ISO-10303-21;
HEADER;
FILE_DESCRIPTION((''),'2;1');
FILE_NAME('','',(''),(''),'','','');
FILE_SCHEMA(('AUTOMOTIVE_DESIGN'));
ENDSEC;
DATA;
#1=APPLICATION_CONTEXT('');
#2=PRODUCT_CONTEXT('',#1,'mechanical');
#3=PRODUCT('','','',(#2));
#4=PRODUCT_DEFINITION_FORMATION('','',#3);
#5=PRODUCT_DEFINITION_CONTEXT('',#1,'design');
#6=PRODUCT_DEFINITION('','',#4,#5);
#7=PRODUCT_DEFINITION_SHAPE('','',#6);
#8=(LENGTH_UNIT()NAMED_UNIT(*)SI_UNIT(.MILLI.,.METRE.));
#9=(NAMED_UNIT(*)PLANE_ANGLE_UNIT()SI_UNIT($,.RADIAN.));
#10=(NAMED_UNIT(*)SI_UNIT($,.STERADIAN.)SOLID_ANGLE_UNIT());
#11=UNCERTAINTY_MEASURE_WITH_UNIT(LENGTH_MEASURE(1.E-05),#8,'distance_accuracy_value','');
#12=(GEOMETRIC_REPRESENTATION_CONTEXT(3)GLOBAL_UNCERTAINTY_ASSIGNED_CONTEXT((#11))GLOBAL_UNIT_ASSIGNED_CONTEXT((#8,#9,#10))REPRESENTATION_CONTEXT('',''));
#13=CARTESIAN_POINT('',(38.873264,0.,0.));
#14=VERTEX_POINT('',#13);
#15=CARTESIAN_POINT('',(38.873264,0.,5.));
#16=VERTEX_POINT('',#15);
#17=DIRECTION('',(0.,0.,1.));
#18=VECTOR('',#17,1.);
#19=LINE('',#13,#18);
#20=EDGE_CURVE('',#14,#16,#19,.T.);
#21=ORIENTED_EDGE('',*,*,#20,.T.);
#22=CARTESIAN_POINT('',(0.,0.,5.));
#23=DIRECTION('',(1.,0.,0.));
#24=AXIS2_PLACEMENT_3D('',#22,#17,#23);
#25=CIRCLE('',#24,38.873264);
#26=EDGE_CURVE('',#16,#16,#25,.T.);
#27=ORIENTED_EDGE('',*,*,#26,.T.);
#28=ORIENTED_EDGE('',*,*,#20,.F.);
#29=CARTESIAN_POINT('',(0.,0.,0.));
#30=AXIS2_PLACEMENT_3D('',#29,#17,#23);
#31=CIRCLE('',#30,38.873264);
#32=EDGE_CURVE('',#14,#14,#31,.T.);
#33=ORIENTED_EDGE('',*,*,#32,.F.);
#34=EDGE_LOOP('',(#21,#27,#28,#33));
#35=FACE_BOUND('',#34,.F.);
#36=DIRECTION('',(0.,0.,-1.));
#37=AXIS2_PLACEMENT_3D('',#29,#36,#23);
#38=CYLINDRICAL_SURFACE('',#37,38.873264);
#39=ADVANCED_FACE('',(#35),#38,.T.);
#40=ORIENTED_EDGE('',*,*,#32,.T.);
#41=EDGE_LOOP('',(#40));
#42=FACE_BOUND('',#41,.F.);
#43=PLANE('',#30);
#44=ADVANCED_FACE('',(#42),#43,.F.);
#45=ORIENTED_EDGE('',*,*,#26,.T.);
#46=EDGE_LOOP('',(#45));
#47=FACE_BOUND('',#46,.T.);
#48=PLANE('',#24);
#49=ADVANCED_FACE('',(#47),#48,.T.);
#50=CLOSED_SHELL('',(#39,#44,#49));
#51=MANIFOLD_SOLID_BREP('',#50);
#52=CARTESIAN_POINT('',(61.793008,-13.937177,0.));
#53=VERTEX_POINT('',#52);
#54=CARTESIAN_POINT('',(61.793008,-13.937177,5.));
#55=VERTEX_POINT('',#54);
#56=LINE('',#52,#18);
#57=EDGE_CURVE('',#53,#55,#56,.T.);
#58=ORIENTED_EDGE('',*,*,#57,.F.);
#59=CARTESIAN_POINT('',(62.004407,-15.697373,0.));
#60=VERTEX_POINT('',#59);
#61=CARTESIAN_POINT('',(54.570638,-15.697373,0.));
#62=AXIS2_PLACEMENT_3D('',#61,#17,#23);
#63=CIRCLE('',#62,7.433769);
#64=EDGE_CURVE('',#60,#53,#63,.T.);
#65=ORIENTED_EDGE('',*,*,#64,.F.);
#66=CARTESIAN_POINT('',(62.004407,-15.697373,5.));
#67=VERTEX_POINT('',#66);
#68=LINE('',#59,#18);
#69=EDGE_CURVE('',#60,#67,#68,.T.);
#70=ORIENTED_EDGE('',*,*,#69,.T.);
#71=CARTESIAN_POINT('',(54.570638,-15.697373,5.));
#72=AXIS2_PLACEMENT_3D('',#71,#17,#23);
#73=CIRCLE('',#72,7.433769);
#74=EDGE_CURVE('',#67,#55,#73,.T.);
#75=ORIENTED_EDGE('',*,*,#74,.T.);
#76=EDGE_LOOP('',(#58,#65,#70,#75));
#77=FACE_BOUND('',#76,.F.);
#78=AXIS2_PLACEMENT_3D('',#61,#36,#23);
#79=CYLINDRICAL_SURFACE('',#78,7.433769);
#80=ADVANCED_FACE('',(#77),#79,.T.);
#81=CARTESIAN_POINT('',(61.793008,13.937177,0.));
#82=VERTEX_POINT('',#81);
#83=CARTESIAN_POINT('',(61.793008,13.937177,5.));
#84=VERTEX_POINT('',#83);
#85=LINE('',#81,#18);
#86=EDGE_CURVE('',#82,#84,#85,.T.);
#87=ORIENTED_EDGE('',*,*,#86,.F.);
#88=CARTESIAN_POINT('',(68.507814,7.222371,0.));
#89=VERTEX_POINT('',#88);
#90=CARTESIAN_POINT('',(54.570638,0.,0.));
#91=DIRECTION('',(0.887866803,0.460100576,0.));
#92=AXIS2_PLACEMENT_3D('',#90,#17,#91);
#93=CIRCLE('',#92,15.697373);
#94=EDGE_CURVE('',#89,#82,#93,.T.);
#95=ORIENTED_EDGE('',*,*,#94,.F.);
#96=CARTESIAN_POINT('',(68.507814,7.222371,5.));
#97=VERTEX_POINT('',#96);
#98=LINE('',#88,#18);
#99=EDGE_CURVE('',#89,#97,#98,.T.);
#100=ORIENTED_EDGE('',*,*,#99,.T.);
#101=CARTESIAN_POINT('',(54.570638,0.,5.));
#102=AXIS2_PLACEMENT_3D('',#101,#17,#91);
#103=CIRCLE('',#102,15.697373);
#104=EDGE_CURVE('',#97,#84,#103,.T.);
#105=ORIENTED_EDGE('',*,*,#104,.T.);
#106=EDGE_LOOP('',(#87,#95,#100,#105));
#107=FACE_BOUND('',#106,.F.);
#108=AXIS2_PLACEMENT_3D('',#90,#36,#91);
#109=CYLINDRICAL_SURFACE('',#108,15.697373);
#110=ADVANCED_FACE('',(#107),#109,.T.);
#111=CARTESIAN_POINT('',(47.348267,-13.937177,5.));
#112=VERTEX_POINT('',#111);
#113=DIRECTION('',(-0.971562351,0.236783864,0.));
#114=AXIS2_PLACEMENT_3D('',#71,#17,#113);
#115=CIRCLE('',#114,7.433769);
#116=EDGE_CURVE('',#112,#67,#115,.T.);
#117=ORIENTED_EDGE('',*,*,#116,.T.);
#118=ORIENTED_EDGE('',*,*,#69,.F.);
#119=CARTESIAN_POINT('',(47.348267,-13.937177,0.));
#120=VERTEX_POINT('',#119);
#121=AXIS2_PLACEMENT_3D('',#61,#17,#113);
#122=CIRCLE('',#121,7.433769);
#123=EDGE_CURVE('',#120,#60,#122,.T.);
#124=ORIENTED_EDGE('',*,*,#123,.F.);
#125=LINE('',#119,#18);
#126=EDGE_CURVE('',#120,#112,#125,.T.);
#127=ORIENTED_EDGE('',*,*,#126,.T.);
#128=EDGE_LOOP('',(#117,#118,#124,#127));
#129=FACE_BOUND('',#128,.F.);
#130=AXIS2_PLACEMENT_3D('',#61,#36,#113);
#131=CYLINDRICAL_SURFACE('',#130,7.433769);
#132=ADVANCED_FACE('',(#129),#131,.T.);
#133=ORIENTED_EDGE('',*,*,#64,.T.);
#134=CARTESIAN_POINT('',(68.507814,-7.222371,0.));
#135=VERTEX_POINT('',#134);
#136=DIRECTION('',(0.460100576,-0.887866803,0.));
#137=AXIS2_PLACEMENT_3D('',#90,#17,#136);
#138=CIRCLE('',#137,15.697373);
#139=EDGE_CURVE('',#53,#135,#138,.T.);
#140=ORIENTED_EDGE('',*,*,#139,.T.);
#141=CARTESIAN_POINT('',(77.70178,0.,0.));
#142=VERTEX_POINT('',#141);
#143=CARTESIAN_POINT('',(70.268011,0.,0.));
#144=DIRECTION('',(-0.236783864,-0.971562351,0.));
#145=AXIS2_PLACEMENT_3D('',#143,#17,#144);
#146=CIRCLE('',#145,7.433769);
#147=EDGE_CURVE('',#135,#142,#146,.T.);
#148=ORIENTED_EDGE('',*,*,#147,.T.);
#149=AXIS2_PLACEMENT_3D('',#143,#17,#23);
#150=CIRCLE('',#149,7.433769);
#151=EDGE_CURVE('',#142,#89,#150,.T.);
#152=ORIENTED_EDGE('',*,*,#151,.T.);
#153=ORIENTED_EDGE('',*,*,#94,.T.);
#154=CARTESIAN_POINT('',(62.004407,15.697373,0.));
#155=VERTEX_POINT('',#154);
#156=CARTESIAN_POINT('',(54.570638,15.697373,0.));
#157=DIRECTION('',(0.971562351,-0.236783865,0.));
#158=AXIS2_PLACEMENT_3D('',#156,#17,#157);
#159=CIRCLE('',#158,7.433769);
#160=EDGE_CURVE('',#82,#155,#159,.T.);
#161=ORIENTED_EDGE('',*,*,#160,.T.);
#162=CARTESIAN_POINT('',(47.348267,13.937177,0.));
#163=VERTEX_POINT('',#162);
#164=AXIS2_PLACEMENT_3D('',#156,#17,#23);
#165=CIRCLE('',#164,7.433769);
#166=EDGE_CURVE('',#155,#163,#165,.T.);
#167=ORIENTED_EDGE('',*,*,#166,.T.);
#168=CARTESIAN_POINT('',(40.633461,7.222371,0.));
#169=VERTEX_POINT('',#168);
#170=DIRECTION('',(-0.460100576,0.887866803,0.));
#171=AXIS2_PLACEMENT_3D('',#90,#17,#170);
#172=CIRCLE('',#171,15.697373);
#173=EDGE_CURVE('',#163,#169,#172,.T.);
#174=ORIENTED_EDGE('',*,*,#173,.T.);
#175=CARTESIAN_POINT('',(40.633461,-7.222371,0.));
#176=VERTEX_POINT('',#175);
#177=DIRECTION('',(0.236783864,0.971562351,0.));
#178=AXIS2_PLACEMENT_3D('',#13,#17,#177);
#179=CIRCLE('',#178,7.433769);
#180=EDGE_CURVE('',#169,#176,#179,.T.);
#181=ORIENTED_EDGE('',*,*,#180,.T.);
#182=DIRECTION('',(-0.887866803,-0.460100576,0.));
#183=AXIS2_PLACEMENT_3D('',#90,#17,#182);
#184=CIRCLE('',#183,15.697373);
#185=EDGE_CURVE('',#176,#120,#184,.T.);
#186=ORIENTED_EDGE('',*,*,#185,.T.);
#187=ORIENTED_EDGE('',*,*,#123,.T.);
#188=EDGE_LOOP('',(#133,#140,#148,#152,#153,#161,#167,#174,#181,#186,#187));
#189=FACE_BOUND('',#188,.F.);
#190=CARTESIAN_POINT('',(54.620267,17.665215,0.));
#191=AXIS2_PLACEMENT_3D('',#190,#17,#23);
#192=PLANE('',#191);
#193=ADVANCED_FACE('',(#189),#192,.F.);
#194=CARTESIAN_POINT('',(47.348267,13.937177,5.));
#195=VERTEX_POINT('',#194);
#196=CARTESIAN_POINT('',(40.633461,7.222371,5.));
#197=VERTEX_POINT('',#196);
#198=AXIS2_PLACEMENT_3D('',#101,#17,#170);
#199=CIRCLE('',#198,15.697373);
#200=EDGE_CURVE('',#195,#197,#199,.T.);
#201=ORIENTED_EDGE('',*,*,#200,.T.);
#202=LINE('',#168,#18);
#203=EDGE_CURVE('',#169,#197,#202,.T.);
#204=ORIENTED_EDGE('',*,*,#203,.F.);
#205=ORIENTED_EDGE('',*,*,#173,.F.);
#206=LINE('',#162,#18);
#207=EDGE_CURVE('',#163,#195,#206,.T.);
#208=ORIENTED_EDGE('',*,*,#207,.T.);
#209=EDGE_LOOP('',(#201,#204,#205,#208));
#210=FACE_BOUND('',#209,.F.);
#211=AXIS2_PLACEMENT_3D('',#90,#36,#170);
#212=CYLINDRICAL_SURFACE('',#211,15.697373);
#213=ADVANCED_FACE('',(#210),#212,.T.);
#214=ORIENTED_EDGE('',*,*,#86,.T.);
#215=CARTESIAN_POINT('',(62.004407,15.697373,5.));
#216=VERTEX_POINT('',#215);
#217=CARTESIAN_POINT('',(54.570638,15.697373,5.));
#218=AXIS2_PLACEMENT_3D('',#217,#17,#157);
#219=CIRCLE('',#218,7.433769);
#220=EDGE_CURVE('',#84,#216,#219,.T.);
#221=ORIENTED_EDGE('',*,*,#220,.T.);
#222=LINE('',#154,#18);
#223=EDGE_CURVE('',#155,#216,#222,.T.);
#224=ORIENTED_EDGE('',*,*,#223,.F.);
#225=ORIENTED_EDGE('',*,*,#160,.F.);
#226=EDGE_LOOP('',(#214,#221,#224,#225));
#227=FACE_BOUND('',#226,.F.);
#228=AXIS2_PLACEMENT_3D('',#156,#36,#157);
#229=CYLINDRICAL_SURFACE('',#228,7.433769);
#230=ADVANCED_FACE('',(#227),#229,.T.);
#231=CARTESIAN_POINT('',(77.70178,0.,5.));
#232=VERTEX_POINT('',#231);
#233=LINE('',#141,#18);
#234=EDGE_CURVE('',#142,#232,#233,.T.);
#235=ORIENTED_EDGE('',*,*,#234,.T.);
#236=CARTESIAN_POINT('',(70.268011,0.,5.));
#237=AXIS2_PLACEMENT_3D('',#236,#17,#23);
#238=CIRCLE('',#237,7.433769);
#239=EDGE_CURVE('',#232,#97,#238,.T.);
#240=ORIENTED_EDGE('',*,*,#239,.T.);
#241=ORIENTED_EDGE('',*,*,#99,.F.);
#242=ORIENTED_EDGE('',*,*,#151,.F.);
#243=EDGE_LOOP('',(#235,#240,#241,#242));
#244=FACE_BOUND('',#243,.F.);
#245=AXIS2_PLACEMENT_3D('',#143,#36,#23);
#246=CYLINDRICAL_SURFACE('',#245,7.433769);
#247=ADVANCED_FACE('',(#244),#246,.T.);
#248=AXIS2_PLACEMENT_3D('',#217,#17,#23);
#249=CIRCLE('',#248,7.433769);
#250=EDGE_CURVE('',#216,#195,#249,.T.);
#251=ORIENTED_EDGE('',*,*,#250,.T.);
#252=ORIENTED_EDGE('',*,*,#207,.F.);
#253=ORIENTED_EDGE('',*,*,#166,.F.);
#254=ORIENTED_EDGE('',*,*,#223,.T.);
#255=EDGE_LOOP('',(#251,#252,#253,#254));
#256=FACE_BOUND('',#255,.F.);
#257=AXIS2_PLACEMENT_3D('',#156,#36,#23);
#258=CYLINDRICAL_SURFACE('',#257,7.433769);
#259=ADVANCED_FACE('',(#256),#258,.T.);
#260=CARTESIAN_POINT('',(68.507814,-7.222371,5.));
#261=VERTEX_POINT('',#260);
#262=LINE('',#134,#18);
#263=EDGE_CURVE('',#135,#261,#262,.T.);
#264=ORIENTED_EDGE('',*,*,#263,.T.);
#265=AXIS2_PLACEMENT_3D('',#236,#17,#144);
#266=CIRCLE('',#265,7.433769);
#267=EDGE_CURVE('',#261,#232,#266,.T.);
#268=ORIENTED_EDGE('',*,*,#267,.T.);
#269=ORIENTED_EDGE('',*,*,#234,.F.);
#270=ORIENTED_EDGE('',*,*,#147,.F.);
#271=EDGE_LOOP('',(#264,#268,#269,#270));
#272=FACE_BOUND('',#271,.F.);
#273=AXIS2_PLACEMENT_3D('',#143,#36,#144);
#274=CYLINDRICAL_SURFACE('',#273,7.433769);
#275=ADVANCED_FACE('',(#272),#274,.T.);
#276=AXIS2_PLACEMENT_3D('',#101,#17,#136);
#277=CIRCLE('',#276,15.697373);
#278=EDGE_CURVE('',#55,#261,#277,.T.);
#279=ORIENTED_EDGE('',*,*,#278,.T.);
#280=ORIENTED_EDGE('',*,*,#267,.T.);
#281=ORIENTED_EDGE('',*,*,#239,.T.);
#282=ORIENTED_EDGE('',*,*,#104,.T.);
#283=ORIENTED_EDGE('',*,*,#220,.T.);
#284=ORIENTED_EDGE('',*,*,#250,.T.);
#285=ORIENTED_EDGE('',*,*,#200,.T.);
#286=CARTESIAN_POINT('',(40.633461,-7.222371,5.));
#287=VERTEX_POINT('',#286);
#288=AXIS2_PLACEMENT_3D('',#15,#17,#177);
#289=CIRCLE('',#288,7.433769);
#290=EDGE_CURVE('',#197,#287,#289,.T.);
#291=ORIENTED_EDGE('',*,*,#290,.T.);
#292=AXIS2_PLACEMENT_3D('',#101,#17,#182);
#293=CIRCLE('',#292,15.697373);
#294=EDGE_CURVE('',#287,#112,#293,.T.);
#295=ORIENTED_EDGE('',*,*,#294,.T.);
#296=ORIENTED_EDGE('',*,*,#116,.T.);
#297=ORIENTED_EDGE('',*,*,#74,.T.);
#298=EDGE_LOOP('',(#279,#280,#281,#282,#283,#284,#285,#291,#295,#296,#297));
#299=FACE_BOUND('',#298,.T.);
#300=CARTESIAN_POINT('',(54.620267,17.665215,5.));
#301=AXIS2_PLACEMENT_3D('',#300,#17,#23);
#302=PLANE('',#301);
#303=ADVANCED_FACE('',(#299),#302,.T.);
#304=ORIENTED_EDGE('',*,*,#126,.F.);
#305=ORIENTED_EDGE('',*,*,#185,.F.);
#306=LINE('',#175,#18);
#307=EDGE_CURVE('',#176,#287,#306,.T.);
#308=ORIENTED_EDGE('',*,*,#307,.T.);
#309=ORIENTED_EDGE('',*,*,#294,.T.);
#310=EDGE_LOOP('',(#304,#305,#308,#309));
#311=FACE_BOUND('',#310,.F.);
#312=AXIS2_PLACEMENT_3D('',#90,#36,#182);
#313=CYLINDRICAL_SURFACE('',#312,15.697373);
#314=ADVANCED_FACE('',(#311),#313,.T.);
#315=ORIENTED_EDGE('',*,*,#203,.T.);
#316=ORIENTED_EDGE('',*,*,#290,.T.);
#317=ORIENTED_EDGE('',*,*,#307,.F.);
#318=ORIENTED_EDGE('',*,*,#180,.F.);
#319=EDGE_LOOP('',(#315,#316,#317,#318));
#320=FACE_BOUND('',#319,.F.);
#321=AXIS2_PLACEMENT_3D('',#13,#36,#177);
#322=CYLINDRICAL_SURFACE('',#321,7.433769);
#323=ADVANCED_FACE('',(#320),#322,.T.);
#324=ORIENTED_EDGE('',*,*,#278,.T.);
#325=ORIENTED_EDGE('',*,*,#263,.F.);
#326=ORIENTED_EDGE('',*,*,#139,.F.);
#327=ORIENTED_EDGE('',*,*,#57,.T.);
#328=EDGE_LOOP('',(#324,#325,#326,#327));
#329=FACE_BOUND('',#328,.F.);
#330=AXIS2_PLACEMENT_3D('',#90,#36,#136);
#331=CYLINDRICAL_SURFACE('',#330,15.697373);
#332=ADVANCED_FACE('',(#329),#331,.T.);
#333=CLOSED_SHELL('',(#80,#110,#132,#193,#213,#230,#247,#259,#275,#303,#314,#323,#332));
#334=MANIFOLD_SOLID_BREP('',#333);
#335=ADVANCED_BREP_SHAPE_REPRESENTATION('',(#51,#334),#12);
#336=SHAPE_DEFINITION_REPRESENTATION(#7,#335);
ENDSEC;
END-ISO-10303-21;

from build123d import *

# Parameters (mm, degrees)
F0_R     = 38.8732643142
F2_DEPTH = 5
F3_DEPTH = 5


with BuildPart() as f2:
    # F0 (on Top) → F2 (new body)
    with BuildSketch(Plane.XY):
        Circle(F0_R)
    extrude(amount=F2_DEPTH)


with BuildPart() as f3:
    # F1 (on Top) → F3 (new body)
    with BuildSketch(Plane.XY):
        with BuildLine():
            ThreePointArc((47.3482671345, 13.937176675), (54.5706376433, 15.6973733292), (61.7930081521, 13.937176675))
            ThreePointArc((61.7930081521, 13.937176675), (61.9513681347, 14.8109504944), (62.0044070793, 15.6973733292))
            ThreePointArc((62.0044070793, 15.6973733292), (53.6842148086, 23.0781038205), (47.3482671345, 13.937176675))
        make_face()
        with BuildLine():
            ThreePointArc((40.6334609684, -7.2223705088), (38.8732643142, 0), (40.6334609684, 7.2223705088))
            ThreePointArc((40.6334609684, 7.2223705088), (31.4394948781, 0), (40.6334609684, -7.2223705088))
        make_face()
        with BuildLine():
            ThreePointArc((46.3070337502, 0), (44.7190244921, 4.5921689831), (40.6334609684, 7.2223705088))
            ThreePointArc((40.6334609684, 7.2223705088), (38.8732643142, 0), (40.6334609684, -7.2223705088))
            ThreePointArc((40.6334609684, -7.2223705088), (44.7190244921, -4.5921689831), (46.3070337502, 0))
        make_face()
        with BuildLine():
            ThreePointArc((47.3482671345, 13.937176675), (54.5706376433, 8.2636038932), (61.7930081521, 13.937176675))
            ThreePointArc((61.7930081521, 13.937176675), (54.5706376433, 15.6973733292), (47.3482671345, 13.937176675))
        make_face()
        with BuildLine():
            ThreePointArc((68.5078143183, -7.2223705088), (69.8216145769, -3.716884718), (70.2680109725, 0))
            ThreePointArc((70.2680109725, 0), (69.8216145769, 3.716884718), (68.5078143183, 7.2223705088))
            ThreePointArc((68.5078143183, 7.2223705088), (62.8342415365, 0), (68.5078143183, -7.2223705088))
        make_face()
        with BuildLine():
            ThreePointArc((68.5078143183, 7.2223705088), (69.8216145769, 3.716884718), (70.2680109725, 0))
            ThreePointArc((70.2680109725, 0), (69.8216145769, -3.716884718), (68.5078143183, -7.2223705088))
            ThreePointArc((68.5078143183, -7.2223705088), (74.8601799556, -5.845760178), (77.7017804085, 0))
            ThreePointArc((77.7017804085, 0), (74.8601799556, 5.845760178), (68.5078143183, 7.2223705088))
        make_face()
        with BuildLine():
            ThreePointArc((62.0044070793, -15.6973733292), (61.9513681347, -14.8109504944), (61.7930081521, -13.937176675))
            ThreePointArc((61.7930081521, -13.937176675), (54.5706376433, -15.6973733292), (47.3482671345, -13.937176675))
            ThreePointArc((47.3482671345, -13.937176675), (53.6842148086, -23.0781038205), (62.0044070793, -15.6973733292))
        make_face()
        with BuildLine():
            ThreePointArc((47.3482671345, -13.937176675), (54.5706376433, -15.6973733292), (61.7930081521, -13.937176675))
            ThreePointArc((61.7930081521, -13.937176675), (54.5706376433, -8.2636038932), (47.3482671345, -13.937176675))
        make_face()
        with BuildLine():
            ThreePointArc((68.5078143183, -7.2223705088), (62.8342415365, 0), (68.5078143183, 7.2223705088))
            ThreePointArc((68.5078143183, 7.2223705088), (65.6703567712, 11.0997191279), (61.7930081521, 13.937176675))
            ThreePointArc((61.7930081521, 13.937176675), (54.5706376433, 8.2636038932), (47.3482671345, 13.937176675))
            ThreePointArc((47.3482671345, 13.937176675), (43.4709185155, 11.0997191279), (40.6334609684, 7.2223705088))
            ThreePointArc((40.6334609684, 7.2223705088), (44.7190244921, 4.5921689831), (46.3070337502, 0))
            ThreePointArc((46.3070337502, 0), (44.7190244921, -4.5921689831), (40.6334609684, -7.2223705088))
            ThreePointArc((40.6334609684, -7.2223705088), (43.4709185155, -11.0997191279), (47.3482671345, -13.937176675))
            ThreePointArc((47.3482671345, -13.937176675), (54.5706376433, -8.2636038932), (61.7930081521, -13.937176675))
            ThreePointArc((61.7930081521, -13.937176675), (65.6703567712, -11.0997191279), (68.5078143183, -7.2223705088))
        make_face()
    extrude(amount=F3_DEPTH)


solid = Compound([f2.part, f3.part])
